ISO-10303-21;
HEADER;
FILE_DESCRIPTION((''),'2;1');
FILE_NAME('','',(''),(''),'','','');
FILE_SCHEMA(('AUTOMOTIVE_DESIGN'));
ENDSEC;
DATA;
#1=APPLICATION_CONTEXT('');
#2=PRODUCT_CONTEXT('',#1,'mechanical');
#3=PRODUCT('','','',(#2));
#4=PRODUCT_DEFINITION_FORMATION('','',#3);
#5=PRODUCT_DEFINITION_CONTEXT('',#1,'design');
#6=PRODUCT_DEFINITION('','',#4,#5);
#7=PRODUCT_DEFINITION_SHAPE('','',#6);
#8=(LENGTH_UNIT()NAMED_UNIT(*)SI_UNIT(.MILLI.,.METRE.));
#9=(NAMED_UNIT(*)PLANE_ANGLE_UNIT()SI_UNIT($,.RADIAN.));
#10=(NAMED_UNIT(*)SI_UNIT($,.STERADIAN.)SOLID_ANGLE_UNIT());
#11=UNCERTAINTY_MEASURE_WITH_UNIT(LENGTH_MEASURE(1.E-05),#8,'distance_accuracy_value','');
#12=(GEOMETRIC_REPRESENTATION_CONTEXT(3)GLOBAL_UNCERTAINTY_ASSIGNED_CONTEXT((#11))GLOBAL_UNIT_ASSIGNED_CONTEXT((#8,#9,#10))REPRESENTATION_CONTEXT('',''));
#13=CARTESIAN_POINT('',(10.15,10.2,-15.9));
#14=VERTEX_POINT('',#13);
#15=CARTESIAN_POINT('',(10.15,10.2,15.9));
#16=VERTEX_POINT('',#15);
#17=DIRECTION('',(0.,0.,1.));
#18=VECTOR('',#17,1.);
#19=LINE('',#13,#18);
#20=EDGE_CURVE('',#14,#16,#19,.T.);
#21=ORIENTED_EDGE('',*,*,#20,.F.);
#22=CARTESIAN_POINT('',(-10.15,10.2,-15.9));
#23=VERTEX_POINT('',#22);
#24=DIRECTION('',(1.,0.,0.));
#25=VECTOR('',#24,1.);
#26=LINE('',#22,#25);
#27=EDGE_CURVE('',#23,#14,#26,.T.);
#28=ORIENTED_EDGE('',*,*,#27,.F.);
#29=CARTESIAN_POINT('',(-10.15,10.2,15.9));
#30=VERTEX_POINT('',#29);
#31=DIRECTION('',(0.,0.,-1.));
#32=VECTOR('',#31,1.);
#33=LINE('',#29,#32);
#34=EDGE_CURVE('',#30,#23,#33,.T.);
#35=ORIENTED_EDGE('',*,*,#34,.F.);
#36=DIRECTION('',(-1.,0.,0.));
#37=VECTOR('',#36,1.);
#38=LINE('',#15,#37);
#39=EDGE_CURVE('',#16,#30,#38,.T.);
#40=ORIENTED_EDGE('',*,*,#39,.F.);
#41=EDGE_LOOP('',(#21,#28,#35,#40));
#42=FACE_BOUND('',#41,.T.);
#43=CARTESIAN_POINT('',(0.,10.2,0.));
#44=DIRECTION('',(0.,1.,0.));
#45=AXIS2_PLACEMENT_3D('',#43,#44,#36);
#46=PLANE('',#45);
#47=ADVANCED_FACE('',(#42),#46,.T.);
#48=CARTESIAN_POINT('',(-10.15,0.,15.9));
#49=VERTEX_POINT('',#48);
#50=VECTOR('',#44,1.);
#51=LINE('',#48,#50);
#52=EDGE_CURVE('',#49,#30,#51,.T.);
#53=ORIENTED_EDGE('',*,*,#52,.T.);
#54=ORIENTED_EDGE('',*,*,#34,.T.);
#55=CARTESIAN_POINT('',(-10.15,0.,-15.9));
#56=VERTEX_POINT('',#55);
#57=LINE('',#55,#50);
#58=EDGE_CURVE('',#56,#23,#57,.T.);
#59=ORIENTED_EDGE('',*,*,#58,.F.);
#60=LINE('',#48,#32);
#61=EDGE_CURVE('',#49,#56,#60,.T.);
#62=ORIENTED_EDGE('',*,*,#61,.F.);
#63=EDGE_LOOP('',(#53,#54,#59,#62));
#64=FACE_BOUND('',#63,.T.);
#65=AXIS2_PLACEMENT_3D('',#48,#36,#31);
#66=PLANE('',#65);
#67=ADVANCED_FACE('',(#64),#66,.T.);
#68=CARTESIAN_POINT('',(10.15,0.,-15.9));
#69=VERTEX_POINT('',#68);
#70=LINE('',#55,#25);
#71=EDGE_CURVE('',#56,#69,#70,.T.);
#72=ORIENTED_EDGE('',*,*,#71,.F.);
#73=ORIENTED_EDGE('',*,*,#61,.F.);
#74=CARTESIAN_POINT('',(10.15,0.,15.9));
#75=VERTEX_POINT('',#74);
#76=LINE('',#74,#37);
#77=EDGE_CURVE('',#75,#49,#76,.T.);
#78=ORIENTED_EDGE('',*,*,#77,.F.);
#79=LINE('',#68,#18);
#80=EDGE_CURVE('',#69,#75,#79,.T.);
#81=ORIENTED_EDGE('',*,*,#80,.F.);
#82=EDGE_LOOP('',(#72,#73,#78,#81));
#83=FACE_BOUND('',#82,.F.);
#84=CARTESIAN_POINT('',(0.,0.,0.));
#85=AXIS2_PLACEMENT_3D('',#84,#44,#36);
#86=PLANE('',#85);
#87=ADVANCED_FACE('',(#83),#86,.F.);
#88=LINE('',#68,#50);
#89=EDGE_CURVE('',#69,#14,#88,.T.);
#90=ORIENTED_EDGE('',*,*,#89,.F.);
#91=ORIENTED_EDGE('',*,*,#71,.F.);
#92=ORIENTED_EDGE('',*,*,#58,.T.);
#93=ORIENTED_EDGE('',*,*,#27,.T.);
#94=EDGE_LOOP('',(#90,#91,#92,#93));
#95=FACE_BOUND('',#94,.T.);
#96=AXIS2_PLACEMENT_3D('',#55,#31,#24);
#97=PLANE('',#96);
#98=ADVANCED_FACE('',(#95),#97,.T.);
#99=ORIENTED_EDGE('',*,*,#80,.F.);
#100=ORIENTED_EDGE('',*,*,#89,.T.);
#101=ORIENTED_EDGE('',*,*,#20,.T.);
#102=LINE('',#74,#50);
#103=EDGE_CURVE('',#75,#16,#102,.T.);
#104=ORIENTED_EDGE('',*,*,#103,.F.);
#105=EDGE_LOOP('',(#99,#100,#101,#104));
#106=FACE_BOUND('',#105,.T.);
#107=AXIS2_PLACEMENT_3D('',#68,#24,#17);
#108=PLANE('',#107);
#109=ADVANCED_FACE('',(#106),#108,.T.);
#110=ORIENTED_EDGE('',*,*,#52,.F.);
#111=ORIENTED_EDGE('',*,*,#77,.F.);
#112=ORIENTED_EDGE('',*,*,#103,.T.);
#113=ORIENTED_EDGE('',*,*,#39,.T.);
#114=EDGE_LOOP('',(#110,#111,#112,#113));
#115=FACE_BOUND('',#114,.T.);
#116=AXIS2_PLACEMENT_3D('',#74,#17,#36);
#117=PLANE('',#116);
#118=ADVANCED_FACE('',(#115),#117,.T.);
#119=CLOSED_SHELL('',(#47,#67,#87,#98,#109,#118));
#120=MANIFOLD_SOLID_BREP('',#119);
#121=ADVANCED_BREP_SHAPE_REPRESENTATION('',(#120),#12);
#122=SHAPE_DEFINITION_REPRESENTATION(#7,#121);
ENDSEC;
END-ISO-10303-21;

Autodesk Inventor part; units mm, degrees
ref_plane "YZ Plane" through (0, 0, 0) normal (1, 0, 0) x (0, 1, 0)
ref_plane "XZ Plane" through (0, 0, 0) normal (0, 1, 0) x (-1, 0, 0)
ref_plane "XY Plane" through (0, 0, 0) normal (0, 0, 1) x (1, 0, 0)
sketch "Sketch2" plane through (0, 0, 0) normal (0, 1, 0) x (-1, 0, 0)
  line L0 (-10.15, 15.9) -> (10.15, 15.9)
  line L1 (10.15, 15.9) -> (10.15, -15.9)
  line L2 (10.15, -15.9) -> (-10.15, -15.9)
  line L3 (-10.15, -15.9) -> (-10.15, 15.9)
  line L4 (-10.15, 15.9) -> (10.15, -15.9) construction
  line L5 (10.15, 15.9) -> (-10.15, -15.9) construction
  point P0 (0, 0)
  dimension "d0" = 20.3
  dimension "d1" = 31.8
extrude "Extrusion1" add sketch "Sketch2" along normal blind 10.2
properties part number "ESS REM10-0505S A"
